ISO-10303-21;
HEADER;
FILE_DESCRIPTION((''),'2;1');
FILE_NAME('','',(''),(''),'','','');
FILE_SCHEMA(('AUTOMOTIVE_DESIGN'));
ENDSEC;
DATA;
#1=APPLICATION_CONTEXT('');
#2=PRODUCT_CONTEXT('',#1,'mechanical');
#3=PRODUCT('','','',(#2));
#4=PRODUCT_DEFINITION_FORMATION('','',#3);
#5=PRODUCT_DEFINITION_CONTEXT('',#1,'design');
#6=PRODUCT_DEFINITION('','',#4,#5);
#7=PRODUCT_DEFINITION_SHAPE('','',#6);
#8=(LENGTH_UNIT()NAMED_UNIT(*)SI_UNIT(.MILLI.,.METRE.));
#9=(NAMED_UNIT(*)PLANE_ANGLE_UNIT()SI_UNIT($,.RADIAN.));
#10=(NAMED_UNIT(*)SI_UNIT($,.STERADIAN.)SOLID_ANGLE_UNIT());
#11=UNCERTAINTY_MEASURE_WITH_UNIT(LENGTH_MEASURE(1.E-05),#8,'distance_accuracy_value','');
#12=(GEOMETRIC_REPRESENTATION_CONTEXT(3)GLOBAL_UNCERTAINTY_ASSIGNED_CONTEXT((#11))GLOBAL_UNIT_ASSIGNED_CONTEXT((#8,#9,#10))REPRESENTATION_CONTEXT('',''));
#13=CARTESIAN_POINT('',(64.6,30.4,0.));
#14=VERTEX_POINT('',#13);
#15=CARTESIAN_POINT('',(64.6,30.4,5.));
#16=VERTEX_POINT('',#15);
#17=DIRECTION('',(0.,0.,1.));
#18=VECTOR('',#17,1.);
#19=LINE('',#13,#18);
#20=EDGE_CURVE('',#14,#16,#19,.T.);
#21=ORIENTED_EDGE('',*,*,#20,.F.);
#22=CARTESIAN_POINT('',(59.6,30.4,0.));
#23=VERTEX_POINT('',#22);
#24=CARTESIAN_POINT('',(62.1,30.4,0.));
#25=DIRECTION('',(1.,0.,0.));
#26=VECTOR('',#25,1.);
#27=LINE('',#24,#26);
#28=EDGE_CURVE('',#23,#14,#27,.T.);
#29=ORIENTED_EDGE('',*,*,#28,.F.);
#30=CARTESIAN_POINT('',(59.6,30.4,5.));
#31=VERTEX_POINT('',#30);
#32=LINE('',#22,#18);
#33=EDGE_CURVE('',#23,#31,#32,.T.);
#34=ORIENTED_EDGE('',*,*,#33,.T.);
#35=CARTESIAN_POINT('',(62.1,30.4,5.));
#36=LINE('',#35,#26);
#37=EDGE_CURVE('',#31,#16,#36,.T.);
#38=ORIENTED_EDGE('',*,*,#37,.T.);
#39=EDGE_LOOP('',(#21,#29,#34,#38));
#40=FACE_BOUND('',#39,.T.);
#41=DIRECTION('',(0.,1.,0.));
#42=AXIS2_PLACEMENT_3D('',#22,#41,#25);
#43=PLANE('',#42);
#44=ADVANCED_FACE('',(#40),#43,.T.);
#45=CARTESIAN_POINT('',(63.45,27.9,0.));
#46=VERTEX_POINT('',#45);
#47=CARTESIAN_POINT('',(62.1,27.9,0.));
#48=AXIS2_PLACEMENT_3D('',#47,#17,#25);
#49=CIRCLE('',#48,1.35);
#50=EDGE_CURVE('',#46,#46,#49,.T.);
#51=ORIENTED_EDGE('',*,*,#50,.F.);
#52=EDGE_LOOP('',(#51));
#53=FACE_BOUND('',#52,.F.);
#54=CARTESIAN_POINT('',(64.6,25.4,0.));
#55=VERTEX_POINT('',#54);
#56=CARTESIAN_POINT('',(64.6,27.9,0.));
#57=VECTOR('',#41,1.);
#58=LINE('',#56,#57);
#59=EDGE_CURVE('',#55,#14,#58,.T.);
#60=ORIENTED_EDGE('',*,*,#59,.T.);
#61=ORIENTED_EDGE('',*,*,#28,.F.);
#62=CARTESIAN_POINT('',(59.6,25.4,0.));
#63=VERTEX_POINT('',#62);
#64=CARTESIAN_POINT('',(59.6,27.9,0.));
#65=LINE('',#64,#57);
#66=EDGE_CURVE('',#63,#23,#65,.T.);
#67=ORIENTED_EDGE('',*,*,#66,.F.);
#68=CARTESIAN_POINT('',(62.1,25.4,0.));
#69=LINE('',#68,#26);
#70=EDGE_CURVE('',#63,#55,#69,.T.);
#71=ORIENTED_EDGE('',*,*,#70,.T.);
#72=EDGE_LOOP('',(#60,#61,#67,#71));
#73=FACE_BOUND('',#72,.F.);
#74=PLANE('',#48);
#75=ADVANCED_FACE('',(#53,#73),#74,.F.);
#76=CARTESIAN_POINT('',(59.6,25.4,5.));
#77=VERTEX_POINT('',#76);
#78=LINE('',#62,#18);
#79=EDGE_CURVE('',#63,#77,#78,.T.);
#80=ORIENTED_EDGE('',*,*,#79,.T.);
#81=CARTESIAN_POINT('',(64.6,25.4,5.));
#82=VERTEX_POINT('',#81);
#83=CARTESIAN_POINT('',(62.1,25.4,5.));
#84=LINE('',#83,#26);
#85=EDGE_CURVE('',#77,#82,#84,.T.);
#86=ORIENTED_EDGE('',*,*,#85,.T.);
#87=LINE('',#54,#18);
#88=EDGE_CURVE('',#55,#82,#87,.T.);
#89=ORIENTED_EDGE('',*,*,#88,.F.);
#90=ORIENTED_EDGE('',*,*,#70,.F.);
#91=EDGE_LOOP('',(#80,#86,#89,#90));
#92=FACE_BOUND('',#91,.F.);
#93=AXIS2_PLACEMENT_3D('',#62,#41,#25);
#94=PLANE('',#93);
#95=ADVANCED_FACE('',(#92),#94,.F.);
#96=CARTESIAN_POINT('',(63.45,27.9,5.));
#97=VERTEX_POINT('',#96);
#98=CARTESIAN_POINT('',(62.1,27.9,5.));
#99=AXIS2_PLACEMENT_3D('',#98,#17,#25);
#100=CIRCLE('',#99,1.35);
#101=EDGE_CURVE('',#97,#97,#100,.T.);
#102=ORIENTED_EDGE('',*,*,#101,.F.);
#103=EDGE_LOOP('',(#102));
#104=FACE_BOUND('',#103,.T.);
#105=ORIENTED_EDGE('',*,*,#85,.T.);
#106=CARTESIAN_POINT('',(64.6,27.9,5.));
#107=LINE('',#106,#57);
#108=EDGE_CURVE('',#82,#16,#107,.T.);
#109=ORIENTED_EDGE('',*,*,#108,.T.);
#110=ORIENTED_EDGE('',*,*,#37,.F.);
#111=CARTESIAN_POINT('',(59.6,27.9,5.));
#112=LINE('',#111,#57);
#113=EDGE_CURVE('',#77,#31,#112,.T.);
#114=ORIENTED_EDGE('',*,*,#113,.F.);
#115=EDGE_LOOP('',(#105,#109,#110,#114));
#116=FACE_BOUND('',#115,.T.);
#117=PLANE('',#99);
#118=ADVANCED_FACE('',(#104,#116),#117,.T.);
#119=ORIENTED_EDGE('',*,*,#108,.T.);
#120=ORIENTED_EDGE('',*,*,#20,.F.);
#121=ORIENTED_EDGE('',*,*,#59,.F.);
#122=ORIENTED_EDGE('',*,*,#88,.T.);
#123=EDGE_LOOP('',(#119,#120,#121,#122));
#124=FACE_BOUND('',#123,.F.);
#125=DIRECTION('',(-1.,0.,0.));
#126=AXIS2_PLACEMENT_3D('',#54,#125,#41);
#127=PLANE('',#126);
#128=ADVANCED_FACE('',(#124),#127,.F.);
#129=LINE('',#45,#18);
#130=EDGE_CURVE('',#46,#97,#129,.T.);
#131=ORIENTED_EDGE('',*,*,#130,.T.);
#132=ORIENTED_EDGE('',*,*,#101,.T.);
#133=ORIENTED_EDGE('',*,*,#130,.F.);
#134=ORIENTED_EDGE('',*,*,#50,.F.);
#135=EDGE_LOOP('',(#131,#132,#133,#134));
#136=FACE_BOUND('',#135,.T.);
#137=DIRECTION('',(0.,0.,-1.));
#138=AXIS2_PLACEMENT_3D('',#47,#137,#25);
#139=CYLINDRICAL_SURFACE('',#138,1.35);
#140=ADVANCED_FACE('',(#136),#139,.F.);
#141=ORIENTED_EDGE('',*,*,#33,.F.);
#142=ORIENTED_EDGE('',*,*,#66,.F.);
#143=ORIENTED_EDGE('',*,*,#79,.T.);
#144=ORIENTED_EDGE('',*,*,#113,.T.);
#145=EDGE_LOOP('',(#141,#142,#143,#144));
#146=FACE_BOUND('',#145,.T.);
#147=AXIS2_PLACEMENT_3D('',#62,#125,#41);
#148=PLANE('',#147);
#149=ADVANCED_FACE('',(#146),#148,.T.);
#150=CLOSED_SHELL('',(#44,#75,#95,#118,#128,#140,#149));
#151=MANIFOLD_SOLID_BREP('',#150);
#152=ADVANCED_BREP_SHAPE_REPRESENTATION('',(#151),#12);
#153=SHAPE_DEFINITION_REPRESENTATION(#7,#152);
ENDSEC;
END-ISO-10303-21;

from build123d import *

# Parameters (mm, degrees)
CYLINDER002002001001001001001001006_R     = 1.35
CYLINDER002002001001001001001001006_DEPTH = 5
BOX005_W                                  = 5
BOX005_H                                  = 5
BOX005_DEPTH                              = 5


with BuildPart() as cylinder002002001001001001001001006:
    # Cylinder002002001001001001001001006 → Cylinder002002001001001001001001006 (new body)
    with BuildSketch(Plane(origin=(62.1, 27.9, 0), x_dir=(1, 0, 0), z_dir=(0, 0, 1))):
        Circle(CYLINDER002002001001001001001001006_R)
    extrude(amount=CYLINDER002002001001001001001001006_DEPTH)


with BuildPart() as cut013003020:
    # Box005 → Box005 (new body)
    with BuildSketch(Plane(origin=(59.6, 25.4, 0), x_dir=(1, 0, 0), z_dir=(0, 0, 1))):
        with Locations((2.5, 2.5)):
            Rectangle(BOX005_W, BOX005_H)
    extrude(amount=BOX005_DEPTH)

    # Cut013003020: cut Cylinder002002001001001001001001006
    add(cylinder002002001001001001001001006.part, mode=Mode.SUBTRACT)


solid = cut013003020.part
